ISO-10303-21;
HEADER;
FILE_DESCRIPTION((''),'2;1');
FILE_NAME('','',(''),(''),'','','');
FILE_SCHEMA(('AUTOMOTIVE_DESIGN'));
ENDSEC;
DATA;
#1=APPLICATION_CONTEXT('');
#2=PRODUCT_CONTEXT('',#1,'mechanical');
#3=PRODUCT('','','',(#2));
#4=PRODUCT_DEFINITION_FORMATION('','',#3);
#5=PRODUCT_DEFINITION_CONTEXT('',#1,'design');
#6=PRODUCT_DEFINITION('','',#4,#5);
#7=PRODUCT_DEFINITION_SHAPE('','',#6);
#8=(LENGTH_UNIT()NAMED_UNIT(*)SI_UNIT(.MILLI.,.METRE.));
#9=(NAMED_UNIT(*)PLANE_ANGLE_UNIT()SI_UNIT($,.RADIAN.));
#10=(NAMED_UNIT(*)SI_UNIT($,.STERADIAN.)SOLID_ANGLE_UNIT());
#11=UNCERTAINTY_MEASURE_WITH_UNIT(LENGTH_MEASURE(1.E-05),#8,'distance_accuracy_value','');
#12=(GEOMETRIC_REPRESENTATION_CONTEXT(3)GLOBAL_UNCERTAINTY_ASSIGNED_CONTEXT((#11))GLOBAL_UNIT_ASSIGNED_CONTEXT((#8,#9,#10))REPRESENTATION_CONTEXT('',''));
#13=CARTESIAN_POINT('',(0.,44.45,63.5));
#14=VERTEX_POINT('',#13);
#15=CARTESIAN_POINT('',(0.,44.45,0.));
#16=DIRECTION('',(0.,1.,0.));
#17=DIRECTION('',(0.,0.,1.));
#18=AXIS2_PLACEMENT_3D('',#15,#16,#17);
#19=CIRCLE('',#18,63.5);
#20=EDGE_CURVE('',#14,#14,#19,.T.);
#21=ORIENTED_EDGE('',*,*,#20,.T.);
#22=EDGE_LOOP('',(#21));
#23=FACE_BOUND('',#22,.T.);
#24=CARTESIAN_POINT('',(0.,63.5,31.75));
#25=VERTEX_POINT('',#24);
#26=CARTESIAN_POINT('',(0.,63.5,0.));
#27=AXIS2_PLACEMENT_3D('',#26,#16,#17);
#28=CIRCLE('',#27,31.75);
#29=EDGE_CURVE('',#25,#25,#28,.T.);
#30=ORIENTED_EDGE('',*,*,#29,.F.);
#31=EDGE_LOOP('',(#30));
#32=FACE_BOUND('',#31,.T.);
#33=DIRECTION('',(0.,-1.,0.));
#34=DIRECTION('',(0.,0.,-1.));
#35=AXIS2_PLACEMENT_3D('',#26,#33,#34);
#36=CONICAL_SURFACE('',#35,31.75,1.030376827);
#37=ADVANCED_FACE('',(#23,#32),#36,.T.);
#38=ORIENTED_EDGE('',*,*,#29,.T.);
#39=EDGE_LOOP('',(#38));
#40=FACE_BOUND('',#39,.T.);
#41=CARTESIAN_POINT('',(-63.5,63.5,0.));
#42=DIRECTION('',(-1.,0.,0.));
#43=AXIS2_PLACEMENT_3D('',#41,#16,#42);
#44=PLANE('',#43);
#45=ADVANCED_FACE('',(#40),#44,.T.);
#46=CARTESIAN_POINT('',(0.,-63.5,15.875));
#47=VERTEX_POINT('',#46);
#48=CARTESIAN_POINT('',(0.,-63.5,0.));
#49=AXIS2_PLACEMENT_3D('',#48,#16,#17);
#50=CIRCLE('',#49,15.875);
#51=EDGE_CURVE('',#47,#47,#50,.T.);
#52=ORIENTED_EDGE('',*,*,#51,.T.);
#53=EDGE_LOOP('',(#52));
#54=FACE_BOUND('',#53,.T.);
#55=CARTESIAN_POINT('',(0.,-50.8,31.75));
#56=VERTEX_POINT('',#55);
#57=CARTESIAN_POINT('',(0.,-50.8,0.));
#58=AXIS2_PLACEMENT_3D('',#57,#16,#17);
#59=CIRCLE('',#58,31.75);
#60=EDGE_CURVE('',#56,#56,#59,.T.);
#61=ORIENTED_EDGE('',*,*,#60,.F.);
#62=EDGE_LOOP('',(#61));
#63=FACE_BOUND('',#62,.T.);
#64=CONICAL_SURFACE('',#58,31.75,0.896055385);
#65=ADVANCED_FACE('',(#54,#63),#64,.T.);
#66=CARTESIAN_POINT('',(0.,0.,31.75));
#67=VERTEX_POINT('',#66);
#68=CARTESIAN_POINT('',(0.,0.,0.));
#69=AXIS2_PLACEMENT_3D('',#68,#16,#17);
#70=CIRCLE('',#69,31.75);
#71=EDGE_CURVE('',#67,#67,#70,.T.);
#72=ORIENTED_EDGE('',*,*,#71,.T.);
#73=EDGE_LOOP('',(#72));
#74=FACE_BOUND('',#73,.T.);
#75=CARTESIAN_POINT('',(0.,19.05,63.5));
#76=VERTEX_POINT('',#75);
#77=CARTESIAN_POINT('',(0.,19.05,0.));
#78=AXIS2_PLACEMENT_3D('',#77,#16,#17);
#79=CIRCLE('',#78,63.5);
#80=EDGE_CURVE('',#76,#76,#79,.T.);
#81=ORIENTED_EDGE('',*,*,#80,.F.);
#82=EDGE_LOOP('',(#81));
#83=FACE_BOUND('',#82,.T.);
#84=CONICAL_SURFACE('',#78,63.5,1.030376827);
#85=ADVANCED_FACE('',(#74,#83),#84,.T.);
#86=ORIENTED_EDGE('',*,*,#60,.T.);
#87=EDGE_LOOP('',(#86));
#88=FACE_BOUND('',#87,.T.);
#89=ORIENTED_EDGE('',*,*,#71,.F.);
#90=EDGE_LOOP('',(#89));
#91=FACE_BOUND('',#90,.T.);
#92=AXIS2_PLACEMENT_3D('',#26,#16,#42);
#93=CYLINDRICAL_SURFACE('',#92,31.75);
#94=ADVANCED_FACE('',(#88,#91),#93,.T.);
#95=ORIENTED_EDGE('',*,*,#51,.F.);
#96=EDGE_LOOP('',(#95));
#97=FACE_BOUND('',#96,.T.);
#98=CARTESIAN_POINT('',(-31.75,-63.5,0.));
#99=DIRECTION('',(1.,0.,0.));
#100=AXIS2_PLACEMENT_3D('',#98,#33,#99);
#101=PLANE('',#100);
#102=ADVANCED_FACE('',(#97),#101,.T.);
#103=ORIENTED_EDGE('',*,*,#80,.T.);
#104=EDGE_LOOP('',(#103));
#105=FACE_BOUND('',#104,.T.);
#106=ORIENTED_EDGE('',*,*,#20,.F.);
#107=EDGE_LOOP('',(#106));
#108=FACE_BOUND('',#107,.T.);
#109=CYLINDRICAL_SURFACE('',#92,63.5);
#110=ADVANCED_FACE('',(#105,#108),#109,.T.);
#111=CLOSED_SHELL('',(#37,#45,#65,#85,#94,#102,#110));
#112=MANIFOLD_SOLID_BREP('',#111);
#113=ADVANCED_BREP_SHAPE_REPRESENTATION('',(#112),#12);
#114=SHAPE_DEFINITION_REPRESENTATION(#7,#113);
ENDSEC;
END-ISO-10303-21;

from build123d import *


with BuildPart() as part:
    # Sketch1 → Revolve1 (revolve)
    with BuildSketch(Plane.XY):
        Polygon((0, 63.5), (0, -63.5), (-31.75, -63.5), (-31.75, 0), (-63.5, 0), (-63.5, 63.5), align=None)
    revolve(axis=Axis((0, 63.5, 0), (0, -1, 0)))

    # Sketch3 → Cut-Revolve1 (revolve, cut)
    with BuildSketch(Plane(origin=(0, 0, 0), x_dir=(0, 0, -1), z_dir=(1, 0, 0))):
        Polygon((-63.5, 44.45), (-31.75, 63.5), (-63.5, 63.5), align=None)
        Polygon((-63.5, 19.05), (-63.5, 0), (-31.75, 0), align=None)
        Polygon((-15.875, -63.5), (-31.75, -50.8), (-31.75, -63.5), align=None)
    revolve(axis=Axis((0, 63.5, 0), (0, -1, 0)), mode=Mode.SUBTRACT)


solid = part.part
